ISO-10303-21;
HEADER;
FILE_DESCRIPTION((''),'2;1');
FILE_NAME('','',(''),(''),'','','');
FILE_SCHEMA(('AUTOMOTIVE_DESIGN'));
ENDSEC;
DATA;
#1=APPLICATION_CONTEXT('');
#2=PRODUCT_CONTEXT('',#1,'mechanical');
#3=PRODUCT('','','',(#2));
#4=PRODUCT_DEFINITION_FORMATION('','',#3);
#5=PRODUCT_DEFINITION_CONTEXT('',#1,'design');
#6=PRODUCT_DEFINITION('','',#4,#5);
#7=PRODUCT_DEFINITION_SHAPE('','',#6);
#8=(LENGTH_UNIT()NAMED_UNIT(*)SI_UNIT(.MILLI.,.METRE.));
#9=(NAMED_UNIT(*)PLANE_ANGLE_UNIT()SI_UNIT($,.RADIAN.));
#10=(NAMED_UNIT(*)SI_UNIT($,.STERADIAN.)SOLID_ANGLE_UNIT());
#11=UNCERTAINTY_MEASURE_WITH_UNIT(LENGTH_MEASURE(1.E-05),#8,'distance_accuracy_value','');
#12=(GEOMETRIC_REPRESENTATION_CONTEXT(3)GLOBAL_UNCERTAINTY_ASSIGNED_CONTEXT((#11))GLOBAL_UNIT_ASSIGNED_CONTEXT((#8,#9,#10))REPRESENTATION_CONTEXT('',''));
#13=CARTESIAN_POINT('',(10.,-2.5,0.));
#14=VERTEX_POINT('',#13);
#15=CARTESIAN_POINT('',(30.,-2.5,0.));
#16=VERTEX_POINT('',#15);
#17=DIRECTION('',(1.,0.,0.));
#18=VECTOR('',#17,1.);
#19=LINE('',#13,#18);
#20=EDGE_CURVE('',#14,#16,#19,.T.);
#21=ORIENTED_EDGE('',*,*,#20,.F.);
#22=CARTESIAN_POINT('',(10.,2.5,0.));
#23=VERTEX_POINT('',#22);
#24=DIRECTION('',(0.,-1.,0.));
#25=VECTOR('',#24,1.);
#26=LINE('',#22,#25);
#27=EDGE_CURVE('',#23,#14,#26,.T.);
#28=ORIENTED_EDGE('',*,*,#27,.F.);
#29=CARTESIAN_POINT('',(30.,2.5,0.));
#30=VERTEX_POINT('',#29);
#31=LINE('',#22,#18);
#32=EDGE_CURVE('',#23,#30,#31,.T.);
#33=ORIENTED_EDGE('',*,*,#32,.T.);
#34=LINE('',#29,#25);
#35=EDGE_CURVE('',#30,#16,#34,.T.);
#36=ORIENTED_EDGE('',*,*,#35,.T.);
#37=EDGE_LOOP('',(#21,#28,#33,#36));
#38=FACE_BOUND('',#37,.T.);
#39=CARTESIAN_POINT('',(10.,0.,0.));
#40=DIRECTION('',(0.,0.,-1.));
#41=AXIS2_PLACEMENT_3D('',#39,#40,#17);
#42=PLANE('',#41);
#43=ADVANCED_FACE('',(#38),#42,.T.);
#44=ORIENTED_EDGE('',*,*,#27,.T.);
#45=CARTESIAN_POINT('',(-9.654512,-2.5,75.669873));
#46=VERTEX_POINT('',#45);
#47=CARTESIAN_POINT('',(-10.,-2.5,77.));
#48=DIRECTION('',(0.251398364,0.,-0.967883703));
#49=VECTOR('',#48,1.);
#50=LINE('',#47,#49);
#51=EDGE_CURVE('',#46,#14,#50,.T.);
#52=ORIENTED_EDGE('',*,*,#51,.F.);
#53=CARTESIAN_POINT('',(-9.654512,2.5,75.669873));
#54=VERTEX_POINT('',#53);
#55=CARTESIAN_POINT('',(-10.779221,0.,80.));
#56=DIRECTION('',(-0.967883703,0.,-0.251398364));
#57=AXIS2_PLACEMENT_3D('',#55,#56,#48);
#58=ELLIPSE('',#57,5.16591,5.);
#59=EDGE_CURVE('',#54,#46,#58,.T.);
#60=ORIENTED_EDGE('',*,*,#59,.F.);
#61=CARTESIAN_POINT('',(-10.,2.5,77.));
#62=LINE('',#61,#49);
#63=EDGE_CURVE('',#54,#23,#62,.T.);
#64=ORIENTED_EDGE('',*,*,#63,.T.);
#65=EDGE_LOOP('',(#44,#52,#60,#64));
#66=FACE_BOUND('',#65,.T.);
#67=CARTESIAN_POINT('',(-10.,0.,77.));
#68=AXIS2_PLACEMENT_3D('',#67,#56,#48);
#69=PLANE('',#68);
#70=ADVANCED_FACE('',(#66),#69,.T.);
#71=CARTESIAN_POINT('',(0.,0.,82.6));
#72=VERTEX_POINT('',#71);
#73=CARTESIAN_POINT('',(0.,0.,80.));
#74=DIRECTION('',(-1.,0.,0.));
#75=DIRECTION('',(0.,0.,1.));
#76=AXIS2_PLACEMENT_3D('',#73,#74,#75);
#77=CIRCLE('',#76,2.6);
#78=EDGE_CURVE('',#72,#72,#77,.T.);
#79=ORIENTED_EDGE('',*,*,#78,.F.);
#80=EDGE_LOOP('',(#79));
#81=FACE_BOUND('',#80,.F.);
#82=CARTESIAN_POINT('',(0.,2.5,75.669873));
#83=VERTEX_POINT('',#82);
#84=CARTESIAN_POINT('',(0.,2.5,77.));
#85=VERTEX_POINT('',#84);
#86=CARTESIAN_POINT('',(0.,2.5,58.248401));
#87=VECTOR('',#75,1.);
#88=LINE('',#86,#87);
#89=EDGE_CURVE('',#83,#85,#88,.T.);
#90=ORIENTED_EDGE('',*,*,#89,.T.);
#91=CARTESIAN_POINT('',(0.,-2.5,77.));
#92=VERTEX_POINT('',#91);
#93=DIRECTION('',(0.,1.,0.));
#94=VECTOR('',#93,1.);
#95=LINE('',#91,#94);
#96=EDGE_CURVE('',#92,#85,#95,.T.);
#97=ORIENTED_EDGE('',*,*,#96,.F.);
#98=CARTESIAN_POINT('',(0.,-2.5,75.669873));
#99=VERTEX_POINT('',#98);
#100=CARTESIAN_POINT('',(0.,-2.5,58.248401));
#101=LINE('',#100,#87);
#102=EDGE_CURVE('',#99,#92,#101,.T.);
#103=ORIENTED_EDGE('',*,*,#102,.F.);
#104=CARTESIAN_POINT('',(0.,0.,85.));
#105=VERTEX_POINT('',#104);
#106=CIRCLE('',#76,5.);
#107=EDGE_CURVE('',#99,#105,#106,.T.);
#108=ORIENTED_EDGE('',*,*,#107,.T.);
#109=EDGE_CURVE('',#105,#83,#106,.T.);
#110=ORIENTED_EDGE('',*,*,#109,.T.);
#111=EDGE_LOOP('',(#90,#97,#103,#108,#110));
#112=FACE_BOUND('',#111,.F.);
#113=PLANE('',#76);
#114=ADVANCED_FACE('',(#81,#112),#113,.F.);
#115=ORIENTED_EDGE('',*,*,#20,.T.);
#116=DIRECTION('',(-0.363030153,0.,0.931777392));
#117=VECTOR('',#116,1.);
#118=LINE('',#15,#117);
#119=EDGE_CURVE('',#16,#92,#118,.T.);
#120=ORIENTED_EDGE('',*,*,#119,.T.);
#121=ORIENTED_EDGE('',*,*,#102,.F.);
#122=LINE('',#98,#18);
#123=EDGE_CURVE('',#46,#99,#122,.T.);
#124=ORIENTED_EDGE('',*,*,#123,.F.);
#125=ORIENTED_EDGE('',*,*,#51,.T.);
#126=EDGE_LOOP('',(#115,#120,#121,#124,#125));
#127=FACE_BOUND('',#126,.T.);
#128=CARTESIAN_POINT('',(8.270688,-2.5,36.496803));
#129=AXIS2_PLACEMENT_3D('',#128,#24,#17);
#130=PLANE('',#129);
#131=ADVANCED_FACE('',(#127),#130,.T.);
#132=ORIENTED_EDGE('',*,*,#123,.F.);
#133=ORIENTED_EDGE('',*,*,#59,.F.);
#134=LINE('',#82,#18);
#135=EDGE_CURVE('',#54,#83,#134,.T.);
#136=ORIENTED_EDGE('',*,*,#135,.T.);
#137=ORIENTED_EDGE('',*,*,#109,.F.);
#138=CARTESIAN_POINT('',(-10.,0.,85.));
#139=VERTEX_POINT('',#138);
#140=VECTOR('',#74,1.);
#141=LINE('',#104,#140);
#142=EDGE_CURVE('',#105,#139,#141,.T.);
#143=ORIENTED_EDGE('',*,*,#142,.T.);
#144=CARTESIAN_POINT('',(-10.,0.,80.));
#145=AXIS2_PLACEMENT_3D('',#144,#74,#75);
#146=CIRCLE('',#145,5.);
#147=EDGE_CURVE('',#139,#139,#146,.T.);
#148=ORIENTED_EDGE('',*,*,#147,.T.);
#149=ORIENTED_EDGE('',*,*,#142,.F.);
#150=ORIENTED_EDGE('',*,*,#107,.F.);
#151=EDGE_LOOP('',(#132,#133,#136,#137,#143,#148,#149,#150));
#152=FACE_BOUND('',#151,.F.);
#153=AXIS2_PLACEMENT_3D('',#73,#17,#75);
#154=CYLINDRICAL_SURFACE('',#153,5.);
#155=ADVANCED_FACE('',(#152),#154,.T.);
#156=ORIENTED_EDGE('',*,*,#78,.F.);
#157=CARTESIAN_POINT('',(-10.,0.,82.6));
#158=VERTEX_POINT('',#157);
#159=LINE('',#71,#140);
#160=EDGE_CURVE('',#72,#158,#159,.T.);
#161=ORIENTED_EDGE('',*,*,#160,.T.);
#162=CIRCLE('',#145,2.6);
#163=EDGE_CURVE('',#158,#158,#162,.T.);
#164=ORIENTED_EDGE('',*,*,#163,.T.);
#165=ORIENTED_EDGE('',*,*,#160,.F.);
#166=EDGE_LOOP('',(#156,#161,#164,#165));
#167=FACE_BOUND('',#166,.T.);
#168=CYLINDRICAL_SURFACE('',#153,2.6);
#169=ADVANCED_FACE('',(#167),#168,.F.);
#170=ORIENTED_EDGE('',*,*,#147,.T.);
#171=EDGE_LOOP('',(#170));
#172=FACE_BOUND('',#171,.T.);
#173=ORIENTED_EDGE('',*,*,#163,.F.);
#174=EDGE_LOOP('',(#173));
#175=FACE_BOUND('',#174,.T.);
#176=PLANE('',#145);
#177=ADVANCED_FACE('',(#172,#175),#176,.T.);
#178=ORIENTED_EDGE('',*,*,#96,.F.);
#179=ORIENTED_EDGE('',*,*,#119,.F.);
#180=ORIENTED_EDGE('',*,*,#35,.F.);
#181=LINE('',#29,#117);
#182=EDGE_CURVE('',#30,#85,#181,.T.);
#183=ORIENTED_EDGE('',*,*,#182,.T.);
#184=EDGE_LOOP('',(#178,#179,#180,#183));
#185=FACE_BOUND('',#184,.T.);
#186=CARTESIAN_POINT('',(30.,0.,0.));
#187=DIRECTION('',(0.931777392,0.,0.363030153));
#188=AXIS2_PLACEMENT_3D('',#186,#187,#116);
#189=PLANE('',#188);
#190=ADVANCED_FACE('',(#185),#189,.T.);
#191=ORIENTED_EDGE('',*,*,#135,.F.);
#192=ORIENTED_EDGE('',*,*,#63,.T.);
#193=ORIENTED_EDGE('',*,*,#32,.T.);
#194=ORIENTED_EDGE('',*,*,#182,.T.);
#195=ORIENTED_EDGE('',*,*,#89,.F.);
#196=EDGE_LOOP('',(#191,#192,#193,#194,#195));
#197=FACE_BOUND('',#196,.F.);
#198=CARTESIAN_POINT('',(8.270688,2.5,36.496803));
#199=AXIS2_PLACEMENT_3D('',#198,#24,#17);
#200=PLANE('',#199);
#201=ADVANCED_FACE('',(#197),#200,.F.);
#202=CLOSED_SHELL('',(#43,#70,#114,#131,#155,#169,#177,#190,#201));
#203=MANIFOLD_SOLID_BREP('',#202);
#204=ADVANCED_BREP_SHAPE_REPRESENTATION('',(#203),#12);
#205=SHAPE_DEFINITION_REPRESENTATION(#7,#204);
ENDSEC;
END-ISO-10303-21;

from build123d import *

# Parameters (mm, degrees)
EXTRUDE_DEPTH = 2.5
TUBE_R        = 5
TUBE_R_2      = 2.6
TUBE_DEPTH    = 10


with BuildPart() as extrude_body:
    # Sketch → Extrude (new body, symmetric)
    with BuildSketch(Plane.XZ):
        Polygon((-10, 77), (10, 0), (30, 0), (0, 77), align=None)
    extrude(amount=EXTRUDE_DEPTH, both=True)


with BuildPart() as fusion:
    # Tube → Tube (new body)
    with BuildSketch(Plane(origin=(0, 0, 80), x_dir=(0, 0, 1), z_dir=(-1, 0, 0))):
        Circle(TUBE_R)
        Circle(TUBE_R_2, mode=Mode.SUBTRACT)
    extrude(amount=TUBE_DEPTH)

    # Fusion: union Extrude body
    add(extrude_body.part)


solid = fusion.part
